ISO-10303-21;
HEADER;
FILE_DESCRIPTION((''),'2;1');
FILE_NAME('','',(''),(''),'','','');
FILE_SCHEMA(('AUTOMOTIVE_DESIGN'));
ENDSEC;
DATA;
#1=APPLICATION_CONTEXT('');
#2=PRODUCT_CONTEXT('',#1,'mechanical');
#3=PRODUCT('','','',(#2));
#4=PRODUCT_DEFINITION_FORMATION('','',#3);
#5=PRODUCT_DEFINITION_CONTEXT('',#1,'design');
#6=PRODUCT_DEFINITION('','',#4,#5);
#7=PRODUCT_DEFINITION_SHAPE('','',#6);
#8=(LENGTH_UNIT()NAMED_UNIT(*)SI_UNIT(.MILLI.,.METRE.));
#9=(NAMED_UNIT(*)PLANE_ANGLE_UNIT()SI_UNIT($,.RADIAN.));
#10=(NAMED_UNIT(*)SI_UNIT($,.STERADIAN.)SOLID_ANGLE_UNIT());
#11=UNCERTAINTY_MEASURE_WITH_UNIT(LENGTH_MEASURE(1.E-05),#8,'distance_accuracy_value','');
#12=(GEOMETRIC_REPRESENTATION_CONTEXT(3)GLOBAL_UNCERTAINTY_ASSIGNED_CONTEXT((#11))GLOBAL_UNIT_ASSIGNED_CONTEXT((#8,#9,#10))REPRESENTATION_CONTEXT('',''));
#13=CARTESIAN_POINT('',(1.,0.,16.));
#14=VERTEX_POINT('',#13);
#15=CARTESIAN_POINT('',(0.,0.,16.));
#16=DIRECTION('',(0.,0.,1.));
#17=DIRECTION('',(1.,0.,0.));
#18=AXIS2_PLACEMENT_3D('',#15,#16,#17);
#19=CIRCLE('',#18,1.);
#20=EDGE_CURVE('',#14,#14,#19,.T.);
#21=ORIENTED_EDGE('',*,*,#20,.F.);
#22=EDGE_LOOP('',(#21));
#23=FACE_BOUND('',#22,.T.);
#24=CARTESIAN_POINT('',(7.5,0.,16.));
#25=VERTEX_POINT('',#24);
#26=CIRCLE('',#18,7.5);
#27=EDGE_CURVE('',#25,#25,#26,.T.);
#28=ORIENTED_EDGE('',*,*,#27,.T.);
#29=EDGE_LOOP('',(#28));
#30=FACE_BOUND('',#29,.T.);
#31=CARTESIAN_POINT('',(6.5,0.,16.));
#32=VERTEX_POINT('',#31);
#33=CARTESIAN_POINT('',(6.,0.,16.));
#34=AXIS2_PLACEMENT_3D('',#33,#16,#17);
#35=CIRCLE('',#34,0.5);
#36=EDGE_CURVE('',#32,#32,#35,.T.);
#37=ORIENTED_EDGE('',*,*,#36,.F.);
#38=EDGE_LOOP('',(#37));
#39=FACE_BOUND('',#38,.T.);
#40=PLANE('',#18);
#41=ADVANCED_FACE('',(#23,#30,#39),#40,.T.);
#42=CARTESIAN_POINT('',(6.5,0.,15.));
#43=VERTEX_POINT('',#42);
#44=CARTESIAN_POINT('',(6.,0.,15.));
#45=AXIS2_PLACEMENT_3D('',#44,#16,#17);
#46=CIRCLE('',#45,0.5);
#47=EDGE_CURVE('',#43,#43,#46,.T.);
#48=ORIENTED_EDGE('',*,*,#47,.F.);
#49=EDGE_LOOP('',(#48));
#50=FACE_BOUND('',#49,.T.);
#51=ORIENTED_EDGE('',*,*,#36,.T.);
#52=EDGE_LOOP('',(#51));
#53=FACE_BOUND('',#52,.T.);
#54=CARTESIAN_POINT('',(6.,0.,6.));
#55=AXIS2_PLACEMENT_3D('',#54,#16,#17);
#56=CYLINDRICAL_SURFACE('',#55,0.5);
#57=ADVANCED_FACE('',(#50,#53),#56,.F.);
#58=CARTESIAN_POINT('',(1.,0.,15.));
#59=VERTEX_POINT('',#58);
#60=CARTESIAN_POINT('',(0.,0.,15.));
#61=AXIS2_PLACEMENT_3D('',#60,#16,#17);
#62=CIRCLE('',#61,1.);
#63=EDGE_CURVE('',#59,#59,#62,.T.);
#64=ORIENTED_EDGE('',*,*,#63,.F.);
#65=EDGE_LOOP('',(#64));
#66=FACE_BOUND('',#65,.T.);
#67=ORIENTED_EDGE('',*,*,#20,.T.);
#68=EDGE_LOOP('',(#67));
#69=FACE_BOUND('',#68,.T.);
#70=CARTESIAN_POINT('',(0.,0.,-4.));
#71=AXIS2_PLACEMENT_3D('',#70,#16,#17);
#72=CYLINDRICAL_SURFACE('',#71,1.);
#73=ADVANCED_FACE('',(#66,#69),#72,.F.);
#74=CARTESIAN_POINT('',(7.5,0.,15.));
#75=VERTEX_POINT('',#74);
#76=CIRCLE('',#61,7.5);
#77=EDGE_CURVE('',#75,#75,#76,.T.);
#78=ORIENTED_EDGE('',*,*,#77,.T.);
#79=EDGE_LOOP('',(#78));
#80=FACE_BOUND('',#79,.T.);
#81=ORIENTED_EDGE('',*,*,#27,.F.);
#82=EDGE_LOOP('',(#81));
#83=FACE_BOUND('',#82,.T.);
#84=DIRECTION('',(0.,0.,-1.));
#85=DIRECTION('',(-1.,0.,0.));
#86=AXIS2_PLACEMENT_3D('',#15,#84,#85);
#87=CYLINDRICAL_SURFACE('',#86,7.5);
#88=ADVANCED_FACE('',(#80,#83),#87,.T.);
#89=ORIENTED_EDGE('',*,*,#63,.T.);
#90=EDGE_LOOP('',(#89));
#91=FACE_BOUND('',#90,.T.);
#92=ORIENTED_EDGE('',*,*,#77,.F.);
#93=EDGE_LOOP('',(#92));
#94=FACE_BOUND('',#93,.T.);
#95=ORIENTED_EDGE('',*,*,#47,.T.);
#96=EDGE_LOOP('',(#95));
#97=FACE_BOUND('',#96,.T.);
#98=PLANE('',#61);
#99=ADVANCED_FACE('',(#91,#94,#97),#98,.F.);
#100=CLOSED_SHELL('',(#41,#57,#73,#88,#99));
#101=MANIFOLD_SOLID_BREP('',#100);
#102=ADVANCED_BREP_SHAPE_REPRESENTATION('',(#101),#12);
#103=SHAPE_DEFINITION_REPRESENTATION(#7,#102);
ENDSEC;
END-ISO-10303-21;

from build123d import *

# Parameters (mm, degrees)
SKETCH1_R           = 1
BOSS_EXTRUDE1_DEPTH = 15
SKETCH2_R           = 7.5
BOSS_EXTRUDE2_DEPTH = 1
SKETCH3_R           = 0.5
CUT_EXTRUDE1_DEPTH  = 10
SKETCH5_R           = 1
CUT_EXTRUDE2_DEPTH  = 20


with BuildPart() as part:
    # Sketch1 → Boss-Extrude1 (new body)
    with BuildSketch(Plane.XY):
        Circle(SKETCH1_R)
    extrude(amount=BOSS_EXTRUDE1_DEPTH)

    # Sketch2 → Boss-Extrude2 (add)
    with BuildSketch(Plane.XY.offset(15)):
        Circle(SKETCH2_R)
    extrude(amount=BOSS_EXTRUDE2_DEPTH)

    # Sketch3 → Cut-Extrude1 (cut)
    with BuildSketch(Plane.XY.offset(16)):
        with Locations((6, 0)):
            Circle(SKETCH3_R)
    extrude(amount=-CUT_EXTRUDE1_DEPTH, mode=Mode.SUBTRACT)

    # Sketch5 → Cut-Extrude2 (cut)
    with BuildSketch(Plane.XY.offset(16)):
        Circle(SKETCH5_R)
    extrude(amount=-CUT_EXTRUDE2_DEPTH, mode=Mode.SUBTRACT)


solid = part.part
